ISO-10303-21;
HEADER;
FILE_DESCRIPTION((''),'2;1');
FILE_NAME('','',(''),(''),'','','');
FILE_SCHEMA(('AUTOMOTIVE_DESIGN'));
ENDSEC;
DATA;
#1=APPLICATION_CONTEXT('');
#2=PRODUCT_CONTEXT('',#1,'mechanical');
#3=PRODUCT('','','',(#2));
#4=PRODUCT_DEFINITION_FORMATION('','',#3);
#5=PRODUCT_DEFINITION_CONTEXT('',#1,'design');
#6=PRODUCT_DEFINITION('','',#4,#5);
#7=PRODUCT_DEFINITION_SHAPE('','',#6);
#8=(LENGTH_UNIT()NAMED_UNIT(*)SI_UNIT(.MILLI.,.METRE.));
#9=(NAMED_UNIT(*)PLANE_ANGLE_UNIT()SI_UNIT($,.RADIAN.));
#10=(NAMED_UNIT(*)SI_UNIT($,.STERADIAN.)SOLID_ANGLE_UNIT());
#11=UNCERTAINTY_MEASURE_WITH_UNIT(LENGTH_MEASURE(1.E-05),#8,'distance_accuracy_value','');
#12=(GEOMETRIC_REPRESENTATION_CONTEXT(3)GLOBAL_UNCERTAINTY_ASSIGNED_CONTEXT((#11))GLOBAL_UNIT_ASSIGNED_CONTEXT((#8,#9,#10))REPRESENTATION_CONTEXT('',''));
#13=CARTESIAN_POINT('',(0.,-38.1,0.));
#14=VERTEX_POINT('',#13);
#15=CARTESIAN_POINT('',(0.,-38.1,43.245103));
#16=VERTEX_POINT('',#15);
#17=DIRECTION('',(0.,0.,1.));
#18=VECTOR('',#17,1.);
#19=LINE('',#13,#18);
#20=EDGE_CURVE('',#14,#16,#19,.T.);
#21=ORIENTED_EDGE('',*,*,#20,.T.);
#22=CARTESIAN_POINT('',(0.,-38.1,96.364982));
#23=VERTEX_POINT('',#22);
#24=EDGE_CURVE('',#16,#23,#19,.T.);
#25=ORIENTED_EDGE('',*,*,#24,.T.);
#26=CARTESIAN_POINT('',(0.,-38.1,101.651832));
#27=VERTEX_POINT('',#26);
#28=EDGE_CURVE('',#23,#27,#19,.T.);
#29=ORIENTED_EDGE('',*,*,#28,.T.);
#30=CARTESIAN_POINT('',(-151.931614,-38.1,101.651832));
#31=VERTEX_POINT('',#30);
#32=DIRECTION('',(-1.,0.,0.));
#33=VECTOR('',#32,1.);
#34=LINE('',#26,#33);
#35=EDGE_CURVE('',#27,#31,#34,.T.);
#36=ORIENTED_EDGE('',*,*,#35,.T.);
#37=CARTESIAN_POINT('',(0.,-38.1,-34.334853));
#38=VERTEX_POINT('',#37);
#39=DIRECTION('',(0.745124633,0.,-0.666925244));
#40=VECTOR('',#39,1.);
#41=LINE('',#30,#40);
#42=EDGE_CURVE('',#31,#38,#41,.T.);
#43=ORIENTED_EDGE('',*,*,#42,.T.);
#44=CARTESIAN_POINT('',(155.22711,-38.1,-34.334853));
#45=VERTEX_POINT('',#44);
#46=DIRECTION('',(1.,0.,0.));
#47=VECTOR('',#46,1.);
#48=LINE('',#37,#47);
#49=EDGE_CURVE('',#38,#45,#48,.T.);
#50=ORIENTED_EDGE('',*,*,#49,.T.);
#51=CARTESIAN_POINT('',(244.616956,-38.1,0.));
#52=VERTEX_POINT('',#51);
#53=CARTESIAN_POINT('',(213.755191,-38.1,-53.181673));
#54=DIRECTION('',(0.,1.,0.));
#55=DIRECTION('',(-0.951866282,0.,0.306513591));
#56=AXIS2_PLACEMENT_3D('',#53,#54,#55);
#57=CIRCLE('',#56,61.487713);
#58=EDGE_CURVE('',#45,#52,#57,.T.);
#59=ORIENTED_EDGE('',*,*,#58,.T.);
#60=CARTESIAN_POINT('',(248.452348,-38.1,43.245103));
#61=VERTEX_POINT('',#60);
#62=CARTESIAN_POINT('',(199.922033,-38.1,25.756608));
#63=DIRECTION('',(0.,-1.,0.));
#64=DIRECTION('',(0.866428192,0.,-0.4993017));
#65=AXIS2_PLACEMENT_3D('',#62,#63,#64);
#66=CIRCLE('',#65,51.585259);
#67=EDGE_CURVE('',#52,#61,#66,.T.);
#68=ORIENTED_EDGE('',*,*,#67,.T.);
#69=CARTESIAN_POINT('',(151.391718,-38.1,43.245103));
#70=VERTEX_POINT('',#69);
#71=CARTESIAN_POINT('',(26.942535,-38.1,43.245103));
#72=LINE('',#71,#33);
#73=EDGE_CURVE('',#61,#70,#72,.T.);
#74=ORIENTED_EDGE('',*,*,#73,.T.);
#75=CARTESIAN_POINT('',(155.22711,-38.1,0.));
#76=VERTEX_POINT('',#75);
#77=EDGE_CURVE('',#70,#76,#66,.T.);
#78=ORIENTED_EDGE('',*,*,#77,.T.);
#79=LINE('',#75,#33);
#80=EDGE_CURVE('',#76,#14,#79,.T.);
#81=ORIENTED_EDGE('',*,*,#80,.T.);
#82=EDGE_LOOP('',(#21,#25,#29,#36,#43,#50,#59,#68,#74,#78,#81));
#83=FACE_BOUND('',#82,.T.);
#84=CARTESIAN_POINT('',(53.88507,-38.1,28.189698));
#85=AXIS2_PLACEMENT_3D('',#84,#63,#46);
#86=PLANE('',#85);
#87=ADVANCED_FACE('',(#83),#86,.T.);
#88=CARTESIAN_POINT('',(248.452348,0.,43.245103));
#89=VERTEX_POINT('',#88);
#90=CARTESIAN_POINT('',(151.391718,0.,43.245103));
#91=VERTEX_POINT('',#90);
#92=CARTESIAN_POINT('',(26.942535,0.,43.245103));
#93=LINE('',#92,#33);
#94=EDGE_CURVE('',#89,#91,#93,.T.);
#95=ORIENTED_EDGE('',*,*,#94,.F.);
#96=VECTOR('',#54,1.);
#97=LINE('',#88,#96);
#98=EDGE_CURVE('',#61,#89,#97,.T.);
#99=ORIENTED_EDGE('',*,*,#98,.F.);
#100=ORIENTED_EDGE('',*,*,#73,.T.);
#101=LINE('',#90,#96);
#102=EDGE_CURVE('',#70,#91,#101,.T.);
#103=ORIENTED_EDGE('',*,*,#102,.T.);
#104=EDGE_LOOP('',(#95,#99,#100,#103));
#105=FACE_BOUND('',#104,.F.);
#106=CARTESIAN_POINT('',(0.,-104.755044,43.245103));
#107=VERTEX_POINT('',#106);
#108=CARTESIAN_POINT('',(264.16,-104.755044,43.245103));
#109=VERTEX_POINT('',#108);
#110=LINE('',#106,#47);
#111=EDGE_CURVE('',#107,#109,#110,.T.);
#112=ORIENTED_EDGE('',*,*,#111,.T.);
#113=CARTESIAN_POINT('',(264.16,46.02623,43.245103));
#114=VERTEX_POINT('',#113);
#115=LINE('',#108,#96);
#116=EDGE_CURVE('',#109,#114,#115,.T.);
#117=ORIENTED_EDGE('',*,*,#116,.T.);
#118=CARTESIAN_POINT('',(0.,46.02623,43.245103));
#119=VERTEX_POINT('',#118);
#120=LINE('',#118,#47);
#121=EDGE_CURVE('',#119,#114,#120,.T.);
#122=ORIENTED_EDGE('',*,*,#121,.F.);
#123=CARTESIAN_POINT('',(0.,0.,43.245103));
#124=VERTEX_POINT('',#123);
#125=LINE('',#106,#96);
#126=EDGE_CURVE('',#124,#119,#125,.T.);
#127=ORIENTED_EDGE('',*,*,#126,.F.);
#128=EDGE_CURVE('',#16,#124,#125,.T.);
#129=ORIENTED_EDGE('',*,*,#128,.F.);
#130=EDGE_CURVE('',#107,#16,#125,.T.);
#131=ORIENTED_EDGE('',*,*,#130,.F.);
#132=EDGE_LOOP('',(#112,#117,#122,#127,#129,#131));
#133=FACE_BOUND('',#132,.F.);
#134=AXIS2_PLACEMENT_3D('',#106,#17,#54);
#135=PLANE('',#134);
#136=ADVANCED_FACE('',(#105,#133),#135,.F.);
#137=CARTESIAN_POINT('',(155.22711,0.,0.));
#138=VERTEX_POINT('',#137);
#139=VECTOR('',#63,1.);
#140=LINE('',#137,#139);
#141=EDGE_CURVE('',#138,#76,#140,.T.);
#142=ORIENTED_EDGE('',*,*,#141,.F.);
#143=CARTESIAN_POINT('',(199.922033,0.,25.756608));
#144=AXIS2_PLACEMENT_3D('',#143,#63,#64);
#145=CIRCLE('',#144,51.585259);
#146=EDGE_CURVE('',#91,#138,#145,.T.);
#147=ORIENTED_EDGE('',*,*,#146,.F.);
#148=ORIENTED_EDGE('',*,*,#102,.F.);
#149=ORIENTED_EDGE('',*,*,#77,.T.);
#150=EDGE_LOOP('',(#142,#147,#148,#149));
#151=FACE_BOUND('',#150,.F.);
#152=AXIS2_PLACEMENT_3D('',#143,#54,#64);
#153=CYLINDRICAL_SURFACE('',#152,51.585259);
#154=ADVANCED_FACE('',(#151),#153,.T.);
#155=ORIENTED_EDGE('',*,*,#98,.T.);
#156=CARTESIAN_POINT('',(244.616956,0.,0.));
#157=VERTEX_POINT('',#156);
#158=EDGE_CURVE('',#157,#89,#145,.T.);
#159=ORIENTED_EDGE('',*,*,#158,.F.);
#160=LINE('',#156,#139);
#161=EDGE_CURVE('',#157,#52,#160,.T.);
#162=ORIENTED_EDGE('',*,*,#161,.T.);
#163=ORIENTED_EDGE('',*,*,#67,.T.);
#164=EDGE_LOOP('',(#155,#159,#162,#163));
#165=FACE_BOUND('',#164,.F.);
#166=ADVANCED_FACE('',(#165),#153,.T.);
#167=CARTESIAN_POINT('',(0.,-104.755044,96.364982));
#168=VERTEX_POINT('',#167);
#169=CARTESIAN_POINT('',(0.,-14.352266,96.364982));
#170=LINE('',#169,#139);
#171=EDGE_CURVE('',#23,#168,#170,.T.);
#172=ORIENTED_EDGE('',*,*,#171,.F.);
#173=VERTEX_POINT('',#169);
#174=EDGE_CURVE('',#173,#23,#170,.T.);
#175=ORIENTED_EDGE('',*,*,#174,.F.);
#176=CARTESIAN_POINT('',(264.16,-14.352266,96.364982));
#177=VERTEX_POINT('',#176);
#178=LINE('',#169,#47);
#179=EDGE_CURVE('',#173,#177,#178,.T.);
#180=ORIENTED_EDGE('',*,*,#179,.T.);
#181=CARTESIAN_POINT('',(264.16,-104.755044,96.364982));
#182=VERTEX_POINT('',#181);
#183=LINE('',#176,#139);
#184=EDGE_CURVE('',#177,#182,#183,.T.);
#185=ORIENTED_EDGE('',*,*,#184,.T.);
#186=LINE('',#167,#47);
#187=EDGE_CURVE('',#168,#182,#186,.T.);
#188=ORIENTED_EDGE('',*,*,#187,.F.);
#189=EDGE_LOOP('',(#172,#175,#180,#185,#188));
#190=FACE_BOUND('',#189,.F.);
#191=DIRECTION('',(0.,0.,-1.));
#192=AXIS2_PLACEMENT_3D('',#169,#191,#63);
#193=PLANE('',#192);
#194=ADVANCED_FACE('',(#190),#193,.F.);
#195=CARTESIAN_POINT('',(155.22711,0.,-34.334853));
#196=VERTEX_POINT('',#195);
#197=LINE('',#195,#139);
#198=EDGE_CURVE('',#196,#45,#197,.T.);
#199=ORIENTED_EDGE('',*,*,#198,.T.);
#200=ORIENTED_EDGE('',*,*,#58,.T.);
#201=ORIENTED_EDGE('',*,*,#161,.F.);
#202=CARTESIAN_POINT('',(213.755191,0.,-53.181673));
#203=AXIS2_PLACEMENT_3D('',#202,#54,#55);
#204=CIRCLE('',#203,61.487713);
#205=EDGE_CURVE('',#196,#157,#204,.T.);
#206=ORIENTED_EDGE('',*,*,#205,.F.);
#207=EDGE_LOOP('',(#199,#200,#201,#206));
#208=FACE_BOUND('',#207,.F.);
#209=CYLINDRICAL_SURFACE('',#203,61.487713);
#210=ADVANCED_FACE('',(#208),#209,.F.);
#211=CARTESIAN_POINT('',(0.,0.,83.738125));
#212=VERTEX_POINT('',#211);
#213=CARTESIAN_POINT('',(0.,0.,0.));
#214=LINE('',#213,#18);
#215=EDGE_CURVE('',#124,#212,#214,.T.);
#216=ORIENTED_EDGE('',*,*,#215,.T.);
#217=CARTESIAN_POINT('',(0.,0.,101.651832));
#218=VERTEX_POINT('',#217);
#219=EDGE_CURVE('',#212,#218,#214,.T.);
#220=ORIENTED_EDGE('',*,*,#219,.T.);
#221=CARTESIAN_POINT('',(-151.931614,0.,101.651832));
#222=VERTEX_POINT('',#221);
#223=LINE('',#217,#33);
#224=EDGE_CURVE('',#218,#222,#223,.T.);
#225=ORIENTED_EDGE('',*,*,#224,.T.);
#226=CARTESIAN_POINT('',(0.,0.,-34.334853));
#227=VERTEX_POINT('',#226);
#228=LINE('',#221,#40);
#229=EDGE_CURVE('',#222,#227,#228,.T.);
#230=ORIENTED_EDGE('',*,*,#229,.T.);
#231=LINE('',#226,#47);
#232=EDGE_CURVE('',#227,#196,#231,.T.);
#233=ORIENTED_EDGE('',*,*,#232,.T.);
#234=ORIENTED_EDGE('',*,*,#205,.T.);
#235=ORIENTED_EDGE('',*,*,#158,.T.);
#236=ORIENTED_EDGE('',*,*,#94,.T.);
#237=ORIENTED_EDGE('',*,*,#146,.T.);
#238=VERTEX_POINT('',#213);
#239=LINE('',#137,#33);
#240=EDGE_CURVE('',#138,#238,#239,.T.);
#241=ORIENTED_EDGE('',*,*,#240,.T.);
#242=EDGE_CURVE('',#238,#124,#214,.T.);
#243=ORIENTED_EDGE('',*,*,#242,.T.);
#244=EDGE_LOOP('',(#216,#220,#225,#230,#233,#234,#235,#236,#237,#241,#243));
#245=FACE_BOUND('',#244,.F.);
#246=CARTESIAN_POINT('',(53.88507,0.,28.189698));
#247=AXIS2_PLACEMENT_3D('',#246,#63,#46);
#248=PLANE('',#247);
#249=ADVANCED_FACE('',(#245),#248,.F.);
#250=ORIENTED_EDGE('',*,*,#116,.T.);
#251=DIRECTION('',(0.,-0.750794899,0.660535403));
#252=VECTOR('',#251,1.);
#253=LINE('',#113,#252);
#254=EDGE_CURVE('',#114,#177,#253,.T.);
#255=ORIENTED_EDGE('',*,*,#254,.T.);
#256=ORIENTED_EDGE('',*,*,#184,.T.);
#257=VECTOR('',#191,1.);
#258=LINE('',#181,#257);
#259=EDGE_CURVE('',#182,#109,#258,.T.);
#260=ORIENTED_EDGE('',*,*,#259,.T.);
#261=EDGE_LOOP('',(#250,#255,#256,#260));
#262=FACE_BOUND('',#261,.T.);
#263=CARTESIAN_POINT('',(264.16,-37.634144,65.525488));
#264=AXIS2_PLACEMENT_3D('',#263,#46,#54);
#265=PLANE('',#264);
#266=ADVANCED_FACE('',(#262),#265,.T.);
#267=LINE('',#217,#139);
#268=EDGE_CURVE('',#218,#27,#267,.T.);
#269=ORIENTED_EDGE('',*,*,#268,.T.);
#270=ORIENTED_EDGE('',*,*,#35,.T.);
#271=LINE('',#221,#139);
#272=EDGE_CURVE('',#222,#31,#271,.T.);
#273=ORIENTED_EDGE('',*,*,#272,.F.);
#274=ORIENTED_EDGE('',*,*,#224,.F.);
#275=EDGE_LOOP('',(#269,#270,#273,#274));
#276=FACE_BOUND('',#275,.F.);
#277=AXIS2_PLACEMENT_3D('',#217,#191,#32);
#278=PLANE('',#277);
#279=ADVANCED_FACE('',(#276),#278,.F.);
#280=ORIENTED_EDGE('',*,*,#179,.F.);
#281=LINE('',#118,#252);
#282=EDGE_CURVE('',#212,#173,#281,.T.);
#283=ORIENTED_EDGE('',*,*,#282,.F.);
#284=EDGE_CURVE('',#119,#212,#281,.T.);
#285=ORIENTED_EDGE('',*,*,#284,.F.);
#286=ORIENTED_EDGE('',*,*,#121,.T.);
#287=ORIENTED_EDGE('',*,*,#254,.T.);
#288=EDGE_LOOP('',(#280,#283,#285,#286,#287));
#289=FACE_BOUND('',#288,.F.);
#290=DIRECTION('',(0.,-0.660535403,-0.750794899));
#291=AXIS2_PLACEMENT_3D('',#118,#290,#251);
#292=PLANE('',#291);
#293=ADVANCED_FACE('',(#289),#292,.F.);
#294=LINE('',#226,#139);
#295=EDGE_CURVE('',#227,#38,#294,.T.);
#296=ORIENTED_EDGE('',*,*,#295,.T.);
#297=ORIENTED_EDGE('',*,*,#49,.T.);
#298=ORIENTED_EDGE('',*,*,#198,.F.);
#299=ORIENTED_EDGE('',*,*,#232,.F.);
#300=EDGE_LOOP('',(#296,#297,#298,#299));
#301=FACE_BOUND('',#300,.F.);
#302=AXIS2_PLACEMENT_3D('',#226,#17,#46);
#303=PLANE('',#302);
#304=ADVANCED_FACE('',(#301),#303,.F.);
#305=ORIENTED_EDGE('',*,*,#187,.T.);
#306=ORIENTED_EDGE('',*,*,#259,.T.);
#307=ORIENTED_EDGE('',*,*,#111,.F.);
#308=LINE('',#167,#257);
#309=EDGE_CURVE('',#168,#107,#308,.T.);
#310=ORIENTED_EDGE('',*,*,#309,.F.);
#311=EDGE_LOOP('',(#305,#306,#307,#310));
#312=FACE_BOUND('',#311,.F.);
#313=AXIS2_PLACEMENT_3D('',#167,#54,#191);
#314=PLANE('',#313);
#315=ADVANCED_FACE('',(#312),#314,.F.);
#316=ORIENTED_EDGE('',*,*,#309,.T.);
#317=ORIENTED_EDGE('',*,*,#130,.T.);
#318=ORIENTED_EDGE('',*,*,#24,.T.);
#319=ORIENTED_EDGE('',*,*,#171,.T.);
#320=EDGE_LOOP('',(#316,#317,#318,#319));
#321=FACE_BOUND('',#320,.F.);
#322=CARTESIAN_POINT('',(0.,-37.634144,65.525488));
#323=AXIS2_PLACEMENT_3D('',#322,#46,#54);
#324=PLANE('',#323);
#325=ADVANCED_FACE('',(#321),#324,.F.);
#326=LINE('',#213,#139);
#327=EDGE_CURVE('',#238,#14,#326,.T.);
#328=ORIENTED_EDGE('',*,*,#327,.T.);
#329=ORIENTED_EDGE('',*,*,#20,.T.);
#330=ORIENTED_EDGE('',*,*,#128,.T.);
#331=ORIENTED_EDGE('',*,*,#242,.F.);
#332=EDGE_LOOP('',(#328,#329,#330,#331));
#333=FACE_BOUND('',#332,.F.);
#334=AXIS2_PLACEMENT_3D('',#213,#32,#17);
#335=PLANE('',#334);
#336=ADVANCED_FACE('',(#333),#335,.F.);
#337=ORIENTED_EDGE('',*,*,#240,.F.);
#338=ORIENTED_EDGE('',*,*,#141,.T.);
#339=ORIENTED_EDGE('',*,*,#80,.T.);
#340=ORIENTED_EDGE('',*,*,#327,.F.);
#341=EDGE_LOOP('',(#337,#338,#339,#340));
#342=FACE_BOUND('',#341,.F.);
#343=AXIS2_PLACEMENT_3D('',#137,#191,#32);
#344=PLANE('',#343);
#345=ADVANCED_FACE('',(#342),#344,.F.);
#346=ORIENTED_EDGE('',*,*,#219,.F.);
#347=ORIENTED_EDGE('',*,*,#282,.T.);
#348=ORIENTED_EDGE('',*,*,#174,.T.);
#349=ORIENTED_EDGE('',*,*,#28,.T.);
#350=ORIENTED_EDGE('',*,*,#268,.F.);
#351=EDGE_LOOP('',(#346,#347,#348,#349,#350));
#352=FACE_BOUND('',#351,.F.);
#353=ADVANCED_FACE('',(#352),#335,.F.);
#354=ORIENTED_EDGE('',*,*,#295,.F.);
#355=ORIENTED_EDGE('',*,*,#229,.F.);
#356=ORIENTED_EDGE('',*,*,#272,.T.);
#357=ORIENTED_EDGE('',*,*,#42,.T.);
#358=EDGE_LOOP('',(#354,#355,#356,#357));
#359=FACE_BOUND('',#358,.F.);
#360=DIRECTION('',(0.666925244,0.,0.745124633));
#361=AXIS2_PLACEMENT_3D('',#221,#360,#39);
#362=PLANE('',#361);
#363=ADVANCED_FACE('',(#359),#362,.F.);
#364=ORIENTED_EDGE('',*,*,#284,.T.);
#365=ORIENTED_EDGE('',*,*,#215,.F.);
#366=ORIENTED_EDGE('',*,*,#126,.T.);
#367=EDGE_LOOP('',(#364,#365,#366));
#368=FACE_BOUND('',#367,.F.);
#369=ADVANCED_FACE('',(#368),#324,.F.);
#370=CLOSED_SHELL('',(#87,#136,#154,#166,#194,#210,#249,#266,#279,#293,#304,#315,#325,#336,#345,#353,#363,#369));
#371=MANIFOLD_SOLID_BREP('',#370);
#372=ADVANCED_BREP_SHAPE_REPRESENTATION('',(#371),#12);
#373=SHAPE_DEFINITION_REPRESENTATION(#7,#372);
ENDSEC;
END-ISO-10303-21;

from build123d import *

# Parameters (mm, degrees)
F1_DEPTH = 38.1
F3_DEPTH = 264.16


with BuildPart() as f1:
    # F0 (on Front) → F1 (new body)
    with BuildSketch(Plane.XZ):
        with BuildLine():
            Line((0, 101.651832), (-151.931614, 101.651832))
            Line((-151.931614, 101.651832), (0, -34.334853))
            Line((0, -34.334853), (155.22711, -34.334853))
            ThreePointArc((155.22711, -34.334853), (191.708041, 4.217474), (244.616956, 0))
            ThreePointArc((244.616956, 0), (199.922033, 77.341867), (155.22711, 0))
            Line((155.22711, 0), (0, 0))
            Line((0, 0), (0, 101.651832))
        make_face()
    extrude(amount=F1_DEPTH)

    # F2 (on Right) → F3 (join)
    with BuildSketch(Plane.YZ):
        Polygon((-14.352266, 96.364982), (-104.755044, 96.364982), (-104.755044, 43.245103), (46.02623, 43.245103), align=None)
    extrude(amount=F3_DEPTH)


solid = f1.part
